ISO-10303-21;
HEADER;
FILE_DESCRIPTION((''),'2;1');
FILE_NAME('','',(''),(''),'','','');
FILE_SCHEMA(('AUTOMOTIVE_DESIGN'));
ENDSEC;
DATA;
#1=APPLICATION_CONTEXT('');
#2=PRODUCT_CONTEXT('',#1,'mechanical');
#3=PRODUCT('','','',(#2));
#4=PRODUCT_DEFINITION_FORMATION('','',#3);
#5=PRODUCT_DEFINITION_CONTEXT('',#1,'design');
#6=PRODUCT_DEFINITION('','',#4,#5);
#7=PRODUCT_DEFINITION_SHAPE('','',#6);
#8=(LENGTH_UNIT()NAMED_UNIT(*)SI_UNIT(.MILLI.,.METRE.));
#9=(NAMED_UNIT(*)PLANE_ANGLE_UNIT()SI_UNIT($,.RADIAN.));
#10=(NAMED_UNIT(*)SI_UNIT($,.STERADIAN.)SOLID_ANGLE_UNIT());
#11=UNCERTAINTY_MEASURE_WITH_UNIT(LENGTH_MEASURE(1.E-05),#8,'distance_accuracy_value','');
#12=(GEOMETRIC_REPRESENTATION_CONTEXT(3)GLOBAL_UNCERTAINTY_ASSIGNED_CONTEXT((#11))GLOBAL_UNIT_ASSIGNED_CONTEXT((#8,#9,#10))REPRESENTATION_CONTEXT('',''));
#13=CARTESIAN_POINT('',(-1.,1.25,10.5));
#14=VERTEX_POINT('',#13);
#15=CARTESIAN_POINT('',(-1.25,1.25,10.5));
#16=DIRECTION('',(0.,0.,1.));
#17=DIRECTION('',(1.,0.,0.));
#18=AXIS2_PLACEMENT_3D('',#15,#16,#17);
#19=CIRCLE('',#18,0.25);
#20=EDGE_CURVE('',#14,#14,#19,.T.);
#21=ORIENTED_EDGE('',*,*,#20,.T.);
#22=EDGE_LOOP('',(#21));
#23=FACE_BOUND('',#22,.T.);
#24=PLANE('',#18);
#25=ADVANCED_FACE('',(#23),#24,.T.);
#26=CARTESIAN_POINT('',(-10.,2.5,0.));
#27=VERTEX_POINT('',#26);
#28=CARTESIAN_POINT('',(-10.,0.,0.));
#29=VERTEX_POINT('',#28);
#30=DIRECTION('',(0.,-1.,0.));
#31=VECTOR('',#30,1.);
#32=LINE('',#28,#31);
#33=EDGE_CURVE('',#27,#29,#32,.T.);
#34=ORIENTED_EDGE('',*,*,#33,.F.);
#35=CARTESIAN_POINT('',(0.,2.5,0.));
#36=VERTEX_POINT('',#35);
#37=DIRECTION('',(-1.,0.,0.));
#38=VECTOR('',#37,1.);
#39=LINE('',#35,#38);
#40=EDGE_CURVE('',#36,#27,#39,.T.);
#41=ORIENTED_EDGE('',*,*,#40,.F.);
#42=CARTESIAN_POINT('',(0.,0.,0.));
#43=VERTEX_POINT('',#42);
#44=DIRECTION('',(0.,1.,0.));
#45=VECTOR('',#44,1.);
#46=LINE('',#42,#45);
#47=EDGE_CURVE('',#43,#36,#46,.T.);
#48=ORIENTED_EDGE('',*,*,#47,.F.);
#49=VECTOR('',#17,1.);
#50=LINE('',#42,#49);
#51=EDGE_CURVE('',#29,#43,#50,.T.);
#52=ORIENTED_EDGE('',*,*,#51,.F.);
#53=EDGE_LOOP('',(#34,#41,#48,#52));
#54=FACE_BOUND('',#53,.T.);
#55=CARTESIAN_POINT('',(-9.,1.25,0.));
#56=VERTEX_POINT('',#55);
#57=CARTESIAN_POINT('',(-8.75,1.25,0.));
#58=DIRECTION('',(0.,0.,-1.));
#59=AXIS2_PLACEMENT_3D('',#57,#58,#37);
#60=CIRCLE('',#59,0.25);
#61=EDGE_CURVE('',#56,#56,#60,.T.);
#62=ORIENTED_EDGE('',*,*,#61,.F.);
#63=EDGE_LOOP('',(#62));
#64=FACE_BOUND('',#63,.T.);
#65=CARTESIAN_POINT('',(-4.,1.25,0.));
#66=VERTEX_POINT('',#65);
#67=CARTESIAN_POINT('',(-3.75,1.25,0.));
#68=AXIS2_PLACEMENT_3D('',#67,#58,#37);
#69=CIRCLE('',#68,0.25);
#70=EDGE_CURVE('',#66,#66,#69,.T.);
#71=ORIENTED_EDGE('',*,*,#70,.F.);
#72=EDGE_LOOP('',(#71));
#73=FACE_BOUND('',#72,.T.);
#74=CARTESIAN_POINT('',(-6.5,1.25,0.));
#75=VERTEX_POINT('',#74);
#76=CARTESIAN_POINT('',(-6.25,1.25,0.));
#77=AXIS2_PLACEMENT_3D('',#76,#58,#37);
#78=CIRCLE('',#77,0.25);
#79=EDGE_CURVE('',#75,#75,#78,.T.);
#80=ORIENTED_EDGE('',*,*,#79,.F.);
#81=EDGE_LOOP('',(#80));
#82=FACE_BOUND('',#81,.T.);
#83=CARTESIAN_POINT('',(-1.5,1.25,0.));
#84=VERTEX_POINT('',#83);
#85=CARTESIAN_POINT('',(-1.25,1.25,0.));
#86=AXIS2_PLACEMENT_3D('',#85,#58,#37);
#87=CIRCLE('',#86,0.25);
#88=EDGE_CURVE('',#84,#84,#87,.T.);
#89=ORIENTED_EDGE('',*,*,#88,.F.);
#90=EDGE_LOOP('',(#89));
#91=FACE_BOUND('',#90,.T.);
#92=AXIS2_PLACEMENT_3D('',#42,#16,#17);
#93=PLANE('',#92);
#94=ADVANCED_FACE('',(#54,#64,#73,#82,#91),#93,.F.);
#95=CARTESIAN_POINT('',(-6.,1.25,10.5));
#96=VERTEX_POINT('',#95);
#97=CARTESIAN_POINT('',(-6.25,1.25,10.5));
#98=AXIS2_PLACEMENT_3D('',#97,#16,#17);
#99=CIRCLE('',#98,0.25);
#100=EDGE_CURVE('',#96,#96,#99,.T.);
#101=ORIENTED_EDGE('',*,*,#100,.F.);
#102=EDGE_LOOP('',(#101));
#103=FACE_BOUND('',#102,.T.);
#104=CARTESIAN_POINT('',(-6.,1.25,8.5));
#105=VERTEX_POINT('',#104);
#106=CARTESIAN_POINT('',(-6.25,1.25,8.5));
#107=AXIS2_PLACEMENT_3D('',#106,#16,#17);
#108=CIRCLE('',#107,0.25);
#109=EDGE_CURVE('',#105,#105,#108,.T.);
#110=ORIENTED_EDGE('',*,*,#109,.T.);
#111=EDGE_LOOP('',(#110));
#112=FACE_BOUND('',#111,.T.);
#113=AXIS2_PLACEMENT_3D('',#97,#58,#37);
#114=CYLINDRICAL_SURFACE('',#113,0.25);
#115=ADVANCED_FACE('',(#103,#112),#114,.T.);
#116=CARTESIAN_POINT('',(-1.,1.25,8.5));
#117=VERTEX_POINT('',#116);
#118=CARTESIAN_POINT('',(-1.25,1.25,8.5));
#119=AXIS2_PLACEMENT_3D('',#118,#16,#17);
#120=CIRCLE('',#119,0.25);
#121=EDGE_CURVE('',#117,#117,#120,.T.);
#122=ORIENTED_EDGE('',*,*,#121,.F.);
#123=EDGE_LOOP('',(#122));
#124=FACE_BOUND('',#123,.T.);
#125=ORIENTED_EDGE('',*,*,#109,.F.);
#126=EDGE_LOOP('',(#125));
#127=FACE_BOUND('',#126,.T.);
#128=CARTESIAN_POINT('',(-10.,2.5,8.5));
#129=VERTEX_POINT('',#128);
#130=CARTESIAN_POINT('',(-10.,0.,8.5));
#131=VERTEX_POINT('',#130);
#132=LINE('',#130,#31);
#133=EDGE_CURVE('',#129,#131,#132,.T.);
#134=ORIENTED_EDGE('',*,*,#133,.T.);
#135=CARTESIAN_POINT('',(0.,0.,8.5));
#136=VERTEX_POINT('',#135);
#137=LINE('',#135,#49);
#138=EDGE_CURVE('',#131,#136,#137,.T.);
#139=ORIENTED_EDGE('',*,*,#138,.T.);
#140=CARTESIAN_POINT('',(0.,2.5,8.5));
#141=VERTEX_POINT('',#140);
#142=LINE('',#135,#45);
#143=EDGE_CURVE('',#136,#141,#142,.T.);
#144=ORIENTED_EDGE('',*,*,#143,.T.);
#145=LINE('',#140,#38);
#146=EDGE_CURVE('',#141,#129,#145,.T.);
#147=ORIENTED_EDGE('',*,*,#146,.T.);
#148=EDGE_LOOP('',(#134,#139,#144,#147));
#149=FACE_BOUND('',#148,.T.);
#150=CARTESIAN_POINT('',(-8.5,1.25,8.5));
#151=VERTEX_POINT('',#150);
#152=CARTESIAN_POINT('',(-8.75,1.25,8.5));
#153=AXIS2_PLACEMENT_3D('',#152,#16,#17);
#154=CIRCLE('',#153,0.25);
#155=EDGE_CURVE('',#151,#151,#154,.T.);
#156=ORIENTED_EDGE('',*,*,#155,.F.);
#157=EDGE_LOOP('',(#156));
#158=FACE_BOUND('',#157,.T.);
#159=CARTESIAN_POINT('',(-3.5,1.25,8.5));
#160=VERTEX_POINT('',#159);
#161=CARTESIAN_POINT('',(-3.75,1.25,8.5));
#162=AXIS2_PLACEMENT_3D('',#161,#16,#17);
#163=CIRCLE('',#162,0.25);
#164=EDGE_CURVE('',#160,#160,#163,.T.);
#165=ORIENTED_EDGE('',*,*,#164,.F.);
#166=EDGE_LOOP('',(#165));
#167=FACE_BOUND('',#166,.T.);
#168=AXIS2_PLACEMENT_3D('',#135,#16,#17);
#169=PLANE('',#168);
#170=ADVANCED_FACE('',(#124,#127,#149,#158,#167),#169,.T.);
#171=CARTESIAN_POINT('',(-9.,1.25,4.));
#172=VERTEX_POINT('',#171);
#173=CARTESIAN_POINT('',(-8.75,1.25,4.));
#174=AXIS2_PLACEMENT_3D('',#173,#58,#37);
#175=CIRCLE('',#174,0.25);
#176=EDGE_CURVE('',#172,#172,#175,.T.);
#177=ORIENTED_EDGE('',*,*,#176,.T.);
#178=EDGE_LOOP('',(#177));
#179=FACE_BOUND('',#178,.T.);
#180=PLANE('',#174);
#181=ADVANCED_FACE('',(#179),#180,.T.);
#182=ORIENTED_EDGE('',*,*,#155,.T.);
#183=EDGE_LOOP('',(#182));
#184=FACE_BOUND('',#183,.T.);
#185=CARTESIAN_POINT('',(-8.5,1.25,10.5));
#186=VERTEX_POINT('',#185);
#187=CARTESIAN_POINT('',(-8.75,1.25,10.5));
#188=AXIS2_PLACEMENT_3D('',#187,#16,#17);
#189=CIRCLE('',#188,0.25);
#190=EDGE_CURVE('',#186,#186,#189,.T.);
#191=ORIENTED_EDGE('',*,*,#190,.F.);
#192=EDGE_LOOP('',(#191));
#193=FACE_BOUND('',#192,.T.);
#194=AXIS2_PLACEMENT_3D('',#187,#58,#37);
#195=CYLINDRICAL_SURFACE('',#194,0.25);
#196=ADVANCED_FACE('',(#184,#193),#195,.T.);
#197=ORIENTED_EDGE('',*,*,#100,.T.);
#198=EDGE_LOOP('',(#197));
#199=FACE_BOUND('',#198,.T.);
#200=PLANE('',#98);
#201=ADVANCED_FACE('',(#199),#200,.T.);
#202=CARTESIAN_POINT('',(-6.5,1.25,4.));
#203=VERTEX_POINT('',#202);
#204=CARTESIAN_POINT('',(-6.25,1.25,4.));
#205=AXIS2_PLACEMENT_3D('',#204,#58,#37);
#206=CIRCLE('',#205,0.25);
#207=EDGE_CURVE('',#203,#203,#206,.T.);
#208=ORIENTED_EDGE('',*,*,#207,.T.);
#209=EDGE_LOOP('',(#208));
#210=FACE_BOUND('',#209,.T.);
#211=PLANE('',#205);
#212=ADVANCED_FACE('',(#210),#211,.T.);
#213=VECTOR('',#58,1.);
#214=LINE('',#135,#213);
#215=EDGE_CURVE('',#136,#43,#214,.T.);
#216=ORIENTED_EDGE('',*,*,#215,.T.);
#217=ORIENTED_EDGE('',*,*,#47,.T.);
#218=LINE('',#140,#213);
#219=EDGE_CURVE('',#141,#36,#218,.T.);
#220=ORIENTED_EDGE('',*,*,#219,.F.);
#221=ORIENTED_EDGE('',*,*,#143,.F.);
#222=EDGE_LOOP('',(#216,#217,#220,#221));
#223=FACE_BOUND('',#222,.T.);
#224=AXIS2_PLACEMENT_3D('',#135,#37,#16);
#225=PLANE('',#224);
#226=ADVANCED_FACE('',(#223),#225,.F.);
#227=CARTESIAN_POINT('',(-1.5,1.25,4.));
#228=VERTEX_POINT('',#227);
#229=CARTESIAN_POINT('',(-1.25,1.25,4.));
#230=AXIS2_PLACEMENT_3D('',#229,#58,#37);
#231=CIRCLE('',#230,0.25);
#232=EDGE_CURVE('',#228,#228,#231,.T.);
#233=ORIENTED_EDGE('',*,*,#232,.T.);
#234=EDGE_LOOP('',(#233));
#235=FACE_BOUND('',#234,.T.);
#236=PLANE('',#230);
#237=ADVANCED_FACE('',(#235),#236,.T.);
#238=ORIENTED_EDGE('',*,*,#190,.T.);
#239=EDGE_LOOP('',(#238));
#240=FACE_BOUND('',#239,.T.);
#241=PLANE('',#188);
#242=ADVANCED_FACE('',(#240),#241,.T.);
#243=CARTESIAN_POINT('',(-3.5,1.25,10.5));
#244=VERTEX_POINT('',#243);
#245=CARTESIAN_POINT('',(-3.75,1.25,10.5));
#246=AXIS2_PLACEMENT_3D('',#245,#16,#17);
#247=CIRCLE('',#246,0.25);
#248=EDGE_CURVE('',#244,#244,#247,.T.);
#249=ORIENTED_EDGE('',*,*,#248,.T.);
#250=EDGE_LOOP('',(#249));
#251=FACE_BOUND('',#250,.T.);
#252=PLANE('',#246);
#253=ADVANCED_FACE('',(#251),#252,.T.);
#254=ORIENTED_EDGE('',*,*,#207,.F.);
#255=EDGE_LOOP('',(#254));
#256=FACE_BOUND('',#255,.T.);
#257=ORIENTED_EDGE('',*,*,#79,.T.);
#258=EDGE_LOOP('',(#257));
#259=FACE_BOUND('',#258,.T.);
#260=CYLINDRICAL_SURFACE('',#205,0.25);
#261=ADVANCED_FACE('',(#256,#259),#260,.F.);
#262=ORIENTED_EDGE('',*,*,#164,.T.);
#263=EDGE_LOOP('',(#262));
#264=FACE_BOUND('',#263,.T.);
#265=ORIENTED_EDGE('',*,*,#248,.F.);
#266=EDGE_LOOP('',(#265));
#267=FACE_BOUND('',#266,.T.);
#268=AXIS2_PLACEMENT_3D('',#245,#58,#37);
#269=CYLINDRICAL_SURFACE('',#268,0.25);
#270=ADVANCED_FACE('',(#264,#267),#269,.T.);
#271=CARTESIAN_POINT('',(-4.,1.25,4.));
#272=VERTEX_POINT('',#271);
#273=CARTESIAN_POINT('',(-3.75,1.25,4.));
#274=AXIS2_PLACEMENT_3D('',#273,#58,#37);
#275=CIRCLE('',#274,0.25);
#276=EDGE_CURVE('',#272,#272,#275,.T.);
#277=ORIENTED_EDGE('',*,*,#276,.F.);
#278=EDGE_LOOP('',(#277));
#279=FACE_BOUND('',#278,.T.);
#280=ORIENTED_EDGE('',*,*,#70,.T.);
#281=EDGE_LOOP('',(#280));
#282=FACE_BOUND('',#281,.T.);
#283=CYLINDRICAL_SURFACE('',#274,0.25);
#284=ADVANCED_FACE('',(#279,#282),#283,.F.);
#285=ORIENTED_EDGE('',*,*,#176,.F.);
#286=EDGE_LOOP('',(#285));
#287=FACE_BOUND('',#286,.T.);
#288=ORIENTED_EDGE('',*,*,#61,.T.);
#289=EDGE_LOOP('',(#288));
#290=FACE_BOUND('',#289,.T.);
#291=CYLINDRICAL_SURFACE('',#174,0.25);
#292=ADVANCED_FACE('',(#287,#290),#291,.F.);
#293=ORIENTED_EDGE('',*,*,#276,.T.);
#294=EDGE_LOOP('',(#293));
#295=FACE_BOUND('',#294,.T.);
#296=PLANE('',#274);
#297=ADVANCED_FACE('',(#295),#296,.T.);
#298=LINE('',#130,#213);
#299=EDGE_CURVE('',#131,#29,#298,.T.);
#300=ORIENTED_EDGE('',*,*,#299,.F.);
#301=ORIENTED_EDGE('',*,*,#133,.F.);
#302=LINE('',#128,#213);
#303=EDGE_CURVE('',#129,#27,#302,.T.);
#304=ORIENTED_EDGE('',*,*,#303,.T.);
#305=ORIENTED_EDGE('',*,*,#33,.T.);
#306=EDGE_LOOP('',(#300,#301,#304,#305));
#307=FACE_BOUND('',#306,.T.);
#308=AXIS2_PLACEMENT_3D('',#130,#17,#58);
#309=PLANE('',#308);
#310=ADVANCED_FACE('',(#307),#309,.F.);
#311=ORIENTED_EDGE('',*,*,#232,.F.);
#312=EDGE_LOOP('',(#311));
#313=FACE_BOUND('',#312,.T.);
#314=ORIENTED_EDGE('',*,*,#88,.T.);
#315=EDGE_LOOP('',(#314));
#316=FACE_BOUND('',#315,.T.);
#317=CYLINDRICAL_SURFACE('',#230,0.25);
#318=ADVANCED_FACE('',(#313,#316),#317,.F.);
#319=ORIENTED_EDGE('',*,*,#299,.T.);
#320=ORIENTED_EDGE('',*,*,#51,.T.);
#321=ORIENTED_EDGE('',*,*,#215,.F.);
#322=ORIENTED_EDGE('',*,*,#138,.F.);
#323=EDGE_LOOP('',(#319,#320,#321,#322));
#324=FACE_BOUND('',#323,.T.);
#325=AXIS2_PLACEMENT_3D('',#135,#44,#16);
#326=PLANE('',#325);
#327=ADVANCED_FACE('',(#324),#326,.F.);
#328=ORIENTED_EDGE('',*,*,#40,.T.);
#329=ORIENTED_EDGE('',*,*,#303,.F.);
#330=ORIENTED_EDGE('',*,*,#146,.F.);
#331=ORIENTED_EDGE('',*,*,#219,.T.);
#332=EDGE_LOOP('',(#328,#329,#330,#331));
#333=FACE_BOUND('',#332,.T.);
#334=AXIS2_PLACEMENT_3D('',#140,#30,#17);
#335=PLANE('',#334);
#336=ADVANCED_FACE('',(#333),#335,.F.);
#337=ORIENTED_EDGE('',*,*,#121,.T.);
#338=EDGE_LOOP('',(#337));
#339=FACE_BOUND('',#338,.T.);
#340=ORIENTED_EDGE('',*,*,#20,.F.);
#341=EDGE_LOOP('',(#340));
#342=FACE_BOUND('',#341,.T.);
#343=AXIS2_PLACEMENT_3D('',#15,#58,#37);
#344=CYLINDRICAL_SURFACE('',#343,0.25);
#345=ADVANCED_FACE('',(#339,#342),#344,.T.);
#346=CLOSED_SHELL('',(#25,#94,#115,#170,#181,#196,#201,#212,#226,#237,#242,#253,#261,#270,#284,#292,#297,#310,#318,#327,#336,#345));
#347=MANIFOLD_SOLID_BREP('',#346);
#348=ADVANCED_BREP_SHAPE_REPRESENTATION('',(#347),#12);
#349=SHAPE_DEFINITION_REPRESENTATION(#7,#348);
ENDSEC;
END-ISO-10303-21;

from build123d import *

# Parameters (mm, degrees)
ESQUISSE1_W                = 2.5
ESQUISSE1_H                = 2.5
BOSS_EXTRU_1_DEPTH         = 8.5
ESQUISSE2_R                = 0.25
BOSS_EXTRU_2_DEPTH         = 2
ESQUISSE3_R                = 0.25
ENL_V_MAT_EXTRU_2_DEPTH    = 4
R_P_TITION_LIN_AIRE1_COUNT = 4
R_P_TITION_LIN_AIRE1_PITCH = 2.5


with BuildPart() as part:
    # Esquisse1 → Boss.-Extru.1 (new body)
    with BuildSketch(Plane.XY):
        with Locations((-1.25, 1.25)):
            Rectangle(ESQUISSE1_W, ESQUISSE1_H)
    boss_extru_1 = extrude(amount=BOSS_EXTRU_1_DEPTH)

    # Esquisse2 → Boss.-Extru.2 (add)
    with BuildSketch(Plane.XY.offset(8.5)):
        with Locations((-1.25, 1.25)):
            Circle(ESQUISSE2_R)
    boss_extru_2 = extrude(amount=BOSS_EXTRU_2_DEPTH)

    # Esquisse3 → Enlèv. mat.-Extru.2 (cut)
    with BuildSketch(Plane(origin=(0, 0, 0), x_dir=(-1, 0, 0), z_dir=(0, 0, -1))):
        with Locations(Location((1.25, 1.25, 0), (0, 0, 180))):
            Circle(ESQUISSE3_R)
    enl_v_mat_extru_2 = extrude(amount=-ENL_V_MAT_EXTRU_2_DEPTH, mode=Mode.SUBTRACT)

    # Répétition linéaire1: Boss.-Extru.1, Boss.-Extru.2, Enlèv. mat.-Extru.2 ×4
    with Locations(*[(-i * R_P_TITION_LIN_AIRE1_PITCH, 0, 0) for i in range(1, R_P_TITION_LIN_AIRE1_COUNT)]):
        add(boss_extru_1)
        add(boss_extru_2)
        add(enl_v_mat_extru_2, mode=Mode.SUBTRACT)


solid = part.part
